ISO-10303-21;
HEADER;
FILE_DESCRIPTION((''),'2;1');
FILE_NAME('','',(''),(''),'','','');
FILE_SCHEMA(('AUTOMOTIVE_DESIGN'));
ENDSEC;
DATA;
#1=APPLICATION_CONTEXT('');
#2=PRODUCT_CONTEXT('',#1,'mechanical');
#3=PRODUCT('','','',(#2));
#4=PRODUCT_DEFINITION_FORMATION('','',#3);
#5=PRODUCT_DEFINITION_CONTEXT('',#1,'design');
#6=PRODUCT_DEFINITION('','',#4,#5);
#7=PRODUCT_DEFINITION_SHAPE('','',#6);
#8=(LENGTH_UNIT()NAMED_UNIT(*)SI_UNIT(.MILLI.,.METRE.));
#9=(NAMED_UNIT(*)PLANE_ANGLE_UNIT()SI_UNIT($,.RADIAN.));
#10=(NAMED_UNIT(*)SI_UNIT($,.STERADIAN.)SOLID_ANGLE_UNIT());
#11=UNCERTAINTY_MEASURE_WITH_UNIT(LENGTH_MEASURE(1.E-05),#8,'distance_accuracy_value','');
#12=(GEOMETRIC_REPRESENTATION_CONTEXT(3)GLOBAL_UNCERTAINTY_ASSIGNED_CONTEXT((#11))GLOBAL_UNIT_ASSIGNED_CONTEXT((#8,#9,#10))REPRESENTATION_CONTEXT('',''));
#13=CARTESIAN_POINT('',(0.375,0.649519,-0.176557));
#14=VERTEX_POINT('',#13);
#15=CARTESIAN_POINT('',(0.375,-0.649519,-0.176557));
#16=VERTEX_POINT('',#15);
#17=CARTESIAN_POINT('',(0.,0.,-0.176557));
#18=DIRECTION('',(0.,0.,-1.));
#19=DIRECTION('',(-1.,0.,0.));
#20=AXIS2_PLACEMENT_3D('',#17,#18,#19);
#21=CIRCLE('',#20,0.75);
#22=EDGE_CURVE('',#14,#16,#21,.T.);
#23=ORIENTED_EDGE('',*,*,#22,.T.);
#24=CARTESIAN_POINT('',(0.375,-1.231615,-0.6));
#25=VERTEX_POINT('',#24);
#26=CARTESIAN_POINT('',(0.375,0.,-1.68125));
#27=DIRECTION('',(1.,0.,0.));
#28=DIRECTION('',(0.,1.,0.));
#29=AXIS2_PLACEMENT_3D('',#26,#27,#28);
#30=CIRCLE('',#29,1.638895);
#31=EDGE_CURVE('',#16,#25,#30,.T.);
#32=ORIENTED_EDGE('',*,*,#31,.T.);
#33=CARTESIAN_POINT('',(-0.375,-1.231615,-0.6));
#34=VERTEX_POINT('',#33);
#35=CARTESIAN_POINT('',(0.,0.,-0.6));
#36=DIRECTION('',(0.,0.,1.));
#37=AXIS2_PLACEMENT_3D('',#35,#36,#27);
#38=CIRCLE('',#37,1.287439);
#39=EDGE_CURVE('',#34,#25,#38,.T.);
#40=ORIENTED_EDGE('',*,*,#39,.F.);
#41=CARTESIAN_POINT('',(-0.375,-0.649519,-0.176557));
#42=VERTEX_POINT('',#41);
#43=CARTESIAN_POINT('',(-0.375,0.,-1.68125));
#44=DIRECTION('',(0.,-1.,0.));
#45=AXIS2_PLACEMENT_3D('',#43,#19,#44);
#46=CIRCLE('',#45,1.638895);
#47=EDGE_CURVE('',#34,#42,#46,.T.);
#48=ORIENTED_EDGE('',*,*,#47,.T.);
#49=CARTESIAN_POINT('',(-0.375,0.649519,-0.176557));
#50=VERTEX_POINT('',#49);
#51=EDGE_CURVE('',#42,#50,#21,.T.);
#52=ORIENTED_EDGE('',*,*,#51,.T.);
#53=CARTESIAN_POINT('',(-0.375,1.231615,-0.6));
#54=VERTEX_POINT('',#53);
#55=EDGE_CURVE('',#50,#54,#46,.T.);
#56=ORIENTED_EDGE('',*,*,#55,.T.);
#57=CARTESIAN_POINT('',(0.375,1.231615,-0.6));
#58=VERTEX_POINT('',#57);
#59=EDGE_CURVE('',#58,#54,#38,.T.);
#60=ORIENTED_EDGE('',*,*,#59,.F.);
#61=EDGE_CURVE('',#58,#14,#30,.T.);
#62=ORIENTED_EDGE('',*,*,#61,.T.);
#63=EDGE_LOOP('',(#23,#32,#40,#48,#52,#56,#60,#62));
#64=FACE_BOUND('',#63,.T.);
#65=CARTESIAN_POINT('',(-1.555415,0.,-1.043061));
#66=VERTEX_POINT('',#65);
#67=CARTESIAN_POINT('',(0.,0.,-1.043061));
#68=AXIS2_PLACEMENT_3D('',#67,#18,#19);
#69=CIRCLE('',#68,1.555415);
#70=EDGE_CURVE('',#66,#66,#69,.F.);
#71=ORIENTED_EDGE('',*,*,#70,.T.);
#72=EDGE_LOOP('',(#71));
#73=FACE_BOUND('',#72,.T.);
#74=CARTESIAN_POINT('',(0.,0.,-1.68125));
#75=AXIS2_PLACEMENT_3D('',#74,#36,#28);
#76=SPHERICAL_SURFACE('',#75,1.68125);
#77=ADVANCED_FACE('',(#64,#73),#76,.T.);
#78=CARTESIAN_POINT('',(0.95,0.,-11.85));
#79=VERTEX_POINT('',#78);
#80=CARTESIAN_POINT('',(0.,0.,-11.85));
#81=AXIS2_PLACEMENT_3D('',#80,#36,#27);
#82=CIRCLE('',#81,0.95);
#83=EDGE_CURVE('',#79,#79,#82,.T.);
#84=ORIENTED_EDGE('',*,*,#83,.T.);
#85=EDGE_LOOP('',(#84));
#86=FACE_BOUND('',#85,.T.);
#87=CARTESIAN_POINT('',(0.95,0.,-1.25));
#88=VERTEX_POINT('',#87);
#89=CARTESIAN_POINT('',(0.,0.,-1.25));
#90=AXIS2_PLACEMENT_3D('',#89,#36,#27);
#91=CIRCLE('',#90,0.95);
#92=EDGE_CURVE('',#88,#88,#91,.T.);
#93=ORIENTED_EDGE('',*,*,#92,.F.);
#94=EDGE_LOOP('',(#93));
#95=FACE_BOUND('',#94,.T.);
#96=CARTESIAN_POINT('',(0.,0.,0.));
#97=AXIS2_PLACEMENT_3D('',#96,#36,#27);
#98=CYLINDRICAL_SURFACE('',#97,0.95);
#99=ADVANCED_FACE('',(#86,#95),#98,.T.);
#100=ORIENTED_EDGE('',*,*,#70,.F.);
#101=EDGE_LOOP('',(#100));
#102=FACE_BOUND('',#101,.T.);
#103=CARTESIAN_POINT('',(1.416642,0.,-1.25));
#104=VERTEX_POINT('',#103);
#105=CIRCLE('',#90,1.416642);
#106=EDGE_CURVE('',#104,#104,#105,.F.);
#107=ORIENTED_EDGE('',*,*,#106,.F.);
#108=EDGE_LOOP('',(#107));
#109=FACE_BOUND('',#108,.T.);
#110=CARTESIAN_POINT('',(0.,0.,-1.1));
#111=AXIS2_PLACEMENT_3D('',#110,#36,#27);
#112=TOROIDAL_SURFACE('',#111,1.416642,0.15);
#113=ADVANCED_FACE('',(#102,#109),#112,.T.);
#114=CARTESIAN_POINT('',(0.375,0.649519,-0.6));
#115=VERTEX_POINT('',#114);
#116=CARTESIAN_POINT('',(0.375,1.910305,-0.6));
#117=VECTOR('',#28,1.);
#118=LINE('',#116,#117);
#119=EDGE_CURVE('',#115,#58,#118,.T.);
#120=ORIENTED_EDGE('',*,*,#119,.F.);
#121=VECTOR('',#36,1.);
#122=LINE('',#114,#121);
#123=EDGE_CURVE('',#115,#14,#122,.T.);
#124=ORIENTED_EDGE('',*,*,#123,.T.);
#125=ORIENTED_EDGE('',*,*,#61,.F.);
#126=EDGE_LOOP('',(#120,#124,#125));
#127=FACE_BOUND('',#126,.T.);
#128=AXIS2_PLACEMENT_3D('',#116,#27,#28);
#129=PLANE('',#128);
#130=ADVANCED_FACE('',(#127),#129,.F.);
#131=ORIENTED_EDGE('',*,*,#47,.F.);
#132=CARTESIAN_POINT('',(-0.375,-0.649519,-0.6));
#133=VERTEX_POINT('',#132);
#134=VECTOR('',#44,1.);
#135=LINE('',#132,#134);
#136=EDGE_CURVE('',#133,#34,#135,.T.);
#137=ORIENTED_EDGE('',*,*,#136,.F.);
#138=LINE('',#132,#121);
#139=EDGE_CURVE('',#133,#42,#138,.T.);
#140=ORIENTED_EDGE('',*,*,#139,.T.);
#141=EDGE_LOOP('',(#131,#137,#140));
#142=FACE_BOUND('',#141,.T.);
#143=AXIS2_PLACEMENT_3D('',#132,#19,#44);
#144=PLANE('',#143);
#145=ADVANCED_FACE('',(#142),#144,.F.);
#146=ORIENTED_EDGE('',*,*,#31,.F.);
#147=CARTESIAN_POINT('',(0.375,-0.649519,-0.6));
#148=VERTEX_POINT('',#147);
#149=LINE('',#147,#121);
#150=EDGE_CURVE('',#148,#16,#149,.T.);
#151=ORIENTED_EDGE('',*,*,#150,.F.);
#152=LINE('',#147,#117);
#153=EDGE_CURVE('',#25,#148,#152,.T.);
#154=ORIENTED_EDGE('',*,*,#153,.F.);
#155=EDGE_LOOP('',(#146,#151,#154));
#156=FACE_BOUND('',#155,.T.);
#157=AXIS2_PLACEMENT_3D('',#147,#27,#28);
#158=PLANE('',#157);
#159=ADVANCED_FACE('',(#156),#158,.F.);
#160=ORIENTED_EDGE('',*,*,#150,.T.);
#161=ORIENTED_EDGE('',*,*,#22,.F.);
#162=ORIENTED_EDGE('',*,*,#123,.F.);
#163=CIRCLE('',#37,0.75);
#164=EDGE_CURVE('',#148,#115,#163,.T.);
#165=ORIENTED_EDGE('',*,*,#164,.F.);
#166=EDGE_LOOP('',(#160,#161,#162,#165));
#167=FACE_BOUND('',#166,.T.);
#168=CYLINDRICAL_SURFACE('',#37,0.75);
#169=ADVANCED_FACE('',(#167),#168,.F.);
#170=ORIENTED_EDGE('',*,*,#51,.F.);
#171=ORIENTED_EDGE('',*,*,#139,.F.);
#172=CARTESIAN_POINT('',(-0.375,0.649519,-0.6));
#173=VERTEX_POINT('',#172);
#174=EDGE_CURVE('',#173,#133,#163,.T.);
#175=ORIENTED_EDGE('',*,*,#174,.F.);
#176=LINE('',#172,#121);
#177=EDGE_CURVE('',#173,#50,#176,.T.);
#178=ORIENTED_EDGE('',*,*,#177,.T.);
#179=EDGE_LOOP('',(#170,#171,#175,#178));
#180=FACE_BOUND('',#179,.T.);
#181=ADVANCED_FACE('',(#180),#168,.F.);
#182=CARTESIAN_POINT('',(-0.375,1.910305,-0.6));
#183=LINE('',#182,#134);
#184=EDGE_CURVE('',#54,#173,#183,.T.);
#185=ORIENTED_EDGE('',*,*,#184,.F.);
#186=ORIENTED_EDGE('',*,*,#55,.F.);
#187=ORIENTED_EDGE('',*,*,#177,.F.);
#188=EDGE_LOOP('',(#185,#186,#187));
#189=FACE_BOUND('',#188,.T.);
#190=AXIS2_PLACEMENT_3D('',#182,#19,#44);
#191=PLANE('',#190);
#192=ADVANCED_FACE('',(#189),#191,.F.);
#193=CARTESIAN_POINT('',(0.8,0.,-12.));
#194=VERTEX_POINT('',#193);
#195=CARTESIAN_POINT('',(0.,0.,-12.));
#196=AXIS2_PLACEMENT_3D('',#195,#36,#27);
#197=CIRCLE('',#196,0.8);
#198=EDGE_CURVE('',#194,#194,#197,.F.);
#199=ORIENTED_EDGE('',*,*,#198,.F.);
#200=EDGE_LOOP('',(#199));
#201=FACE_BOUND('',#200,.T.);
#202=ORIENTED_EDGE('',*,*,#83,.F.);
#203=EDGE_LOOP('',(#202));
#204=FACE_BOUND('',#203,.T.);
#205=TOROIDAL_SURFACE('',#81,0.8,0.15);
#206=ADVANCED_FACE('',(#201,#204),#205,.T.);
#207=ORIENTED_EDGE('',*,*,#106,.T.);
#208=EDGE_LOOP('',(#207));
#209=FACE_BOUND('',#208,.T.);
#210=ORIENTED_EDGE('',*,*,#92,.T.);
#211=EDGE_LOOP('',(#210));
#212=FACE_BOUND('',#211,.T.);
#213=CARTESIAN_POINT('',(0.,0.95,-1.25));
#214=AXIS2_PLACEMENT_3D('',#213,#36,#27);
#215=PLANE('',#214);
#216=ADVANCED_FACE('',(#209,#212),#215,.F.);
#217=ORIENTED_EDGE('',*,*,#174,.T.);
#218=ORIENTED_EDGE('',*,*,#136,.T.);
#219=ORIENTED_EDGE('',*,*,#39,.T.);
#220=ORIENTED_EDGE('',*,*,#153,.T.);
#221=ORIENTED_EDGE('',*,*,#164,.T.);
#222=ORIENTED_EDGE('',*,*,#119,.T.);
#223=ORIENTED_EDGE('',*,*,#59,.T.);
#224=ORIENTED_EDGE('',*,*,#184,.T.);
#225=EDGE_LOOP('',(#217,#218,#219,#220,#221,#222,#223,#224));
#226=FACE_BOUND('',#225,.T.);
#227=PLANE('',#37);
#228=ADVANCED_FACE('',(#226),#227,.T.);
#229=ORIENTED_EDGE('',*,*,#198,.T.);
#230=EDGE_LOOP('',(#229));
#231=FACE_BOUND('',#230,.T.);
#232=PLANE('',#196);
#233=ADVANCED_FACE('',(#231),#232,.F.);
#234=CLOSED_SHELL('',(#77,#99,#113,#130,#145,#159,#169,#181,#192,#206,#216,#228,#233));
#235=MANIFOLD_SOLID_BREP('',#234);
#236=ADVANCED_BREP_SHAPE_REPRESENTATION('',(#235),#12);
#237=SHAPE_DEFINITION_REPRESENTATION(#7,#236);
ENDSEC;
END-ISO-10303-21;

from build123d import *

# Parameters (mm, degrees)
CUT_EXTRUDE1_DEPTH = 0.6
FILLET1_R          = 0.15


with BuildPart() as part:
    # Sketch1 → Revolve1 (revolve)
    with BuildSketch(Plane(origin=(0, 0, 0), x_dir=(0, 0, -1), z_dir=(1, 0, 0))):
        with BuildLine():
            Line((0, 0), (12, 0))
            Line((12, 0), (12, 0.95))
            Line((12, 0.95), (1.25, 0.95))
            Line((1.25, 0.95), (1.25, 1.625))
            ThreePointArc((1.25, 1.625), (0.348650918, 1.025076217), (0, 0))
        make_face()
    revolve(axis=Axis((0, 0, 0), (0, 0, -1)))

    # Sketch2 → Cut-Extrude1 (cut)
    with BuildSketch(Plane.XY):
        with BuildLine():
            Line((0.375, -0.649519053), (0.375, -1.910304893))
            Line((0.375, -1.910304893), (-0.375, -1.910304893))
            Line((-0.375, -1.910304893), (-0.375, -0.649519053))
            ThreePointArc((-0.375, -0.649519053), (-0.75, 0), (-0.375, 0.649519053))
            Line((-0.375, 0.649519053), (-0.375, 1.910304893))
            Line((-0.375, 1.910304893), (0.375, 1.910304893))
            Line((0.375, 1.910304893), (0.375, 0.649519053))
            ThreePointArc((0.375, 0.649519053), (0.75, 0), (0.375, -0.649519053))
        make_face()
    extrude(amount=-CUT_EXTRUDE1_DEPTH, mode=Mode.SUBTRACT)

    # Fillet1
    fillet1_edges = [part.edges().sort_by_distance(p)[0] for p in [
        (0, -1.625, -1.25),
        (0, -0.95, -12),
    ]]
    fillet(fillet1_edges, radius=FILLET1_R)


solid = part.part
